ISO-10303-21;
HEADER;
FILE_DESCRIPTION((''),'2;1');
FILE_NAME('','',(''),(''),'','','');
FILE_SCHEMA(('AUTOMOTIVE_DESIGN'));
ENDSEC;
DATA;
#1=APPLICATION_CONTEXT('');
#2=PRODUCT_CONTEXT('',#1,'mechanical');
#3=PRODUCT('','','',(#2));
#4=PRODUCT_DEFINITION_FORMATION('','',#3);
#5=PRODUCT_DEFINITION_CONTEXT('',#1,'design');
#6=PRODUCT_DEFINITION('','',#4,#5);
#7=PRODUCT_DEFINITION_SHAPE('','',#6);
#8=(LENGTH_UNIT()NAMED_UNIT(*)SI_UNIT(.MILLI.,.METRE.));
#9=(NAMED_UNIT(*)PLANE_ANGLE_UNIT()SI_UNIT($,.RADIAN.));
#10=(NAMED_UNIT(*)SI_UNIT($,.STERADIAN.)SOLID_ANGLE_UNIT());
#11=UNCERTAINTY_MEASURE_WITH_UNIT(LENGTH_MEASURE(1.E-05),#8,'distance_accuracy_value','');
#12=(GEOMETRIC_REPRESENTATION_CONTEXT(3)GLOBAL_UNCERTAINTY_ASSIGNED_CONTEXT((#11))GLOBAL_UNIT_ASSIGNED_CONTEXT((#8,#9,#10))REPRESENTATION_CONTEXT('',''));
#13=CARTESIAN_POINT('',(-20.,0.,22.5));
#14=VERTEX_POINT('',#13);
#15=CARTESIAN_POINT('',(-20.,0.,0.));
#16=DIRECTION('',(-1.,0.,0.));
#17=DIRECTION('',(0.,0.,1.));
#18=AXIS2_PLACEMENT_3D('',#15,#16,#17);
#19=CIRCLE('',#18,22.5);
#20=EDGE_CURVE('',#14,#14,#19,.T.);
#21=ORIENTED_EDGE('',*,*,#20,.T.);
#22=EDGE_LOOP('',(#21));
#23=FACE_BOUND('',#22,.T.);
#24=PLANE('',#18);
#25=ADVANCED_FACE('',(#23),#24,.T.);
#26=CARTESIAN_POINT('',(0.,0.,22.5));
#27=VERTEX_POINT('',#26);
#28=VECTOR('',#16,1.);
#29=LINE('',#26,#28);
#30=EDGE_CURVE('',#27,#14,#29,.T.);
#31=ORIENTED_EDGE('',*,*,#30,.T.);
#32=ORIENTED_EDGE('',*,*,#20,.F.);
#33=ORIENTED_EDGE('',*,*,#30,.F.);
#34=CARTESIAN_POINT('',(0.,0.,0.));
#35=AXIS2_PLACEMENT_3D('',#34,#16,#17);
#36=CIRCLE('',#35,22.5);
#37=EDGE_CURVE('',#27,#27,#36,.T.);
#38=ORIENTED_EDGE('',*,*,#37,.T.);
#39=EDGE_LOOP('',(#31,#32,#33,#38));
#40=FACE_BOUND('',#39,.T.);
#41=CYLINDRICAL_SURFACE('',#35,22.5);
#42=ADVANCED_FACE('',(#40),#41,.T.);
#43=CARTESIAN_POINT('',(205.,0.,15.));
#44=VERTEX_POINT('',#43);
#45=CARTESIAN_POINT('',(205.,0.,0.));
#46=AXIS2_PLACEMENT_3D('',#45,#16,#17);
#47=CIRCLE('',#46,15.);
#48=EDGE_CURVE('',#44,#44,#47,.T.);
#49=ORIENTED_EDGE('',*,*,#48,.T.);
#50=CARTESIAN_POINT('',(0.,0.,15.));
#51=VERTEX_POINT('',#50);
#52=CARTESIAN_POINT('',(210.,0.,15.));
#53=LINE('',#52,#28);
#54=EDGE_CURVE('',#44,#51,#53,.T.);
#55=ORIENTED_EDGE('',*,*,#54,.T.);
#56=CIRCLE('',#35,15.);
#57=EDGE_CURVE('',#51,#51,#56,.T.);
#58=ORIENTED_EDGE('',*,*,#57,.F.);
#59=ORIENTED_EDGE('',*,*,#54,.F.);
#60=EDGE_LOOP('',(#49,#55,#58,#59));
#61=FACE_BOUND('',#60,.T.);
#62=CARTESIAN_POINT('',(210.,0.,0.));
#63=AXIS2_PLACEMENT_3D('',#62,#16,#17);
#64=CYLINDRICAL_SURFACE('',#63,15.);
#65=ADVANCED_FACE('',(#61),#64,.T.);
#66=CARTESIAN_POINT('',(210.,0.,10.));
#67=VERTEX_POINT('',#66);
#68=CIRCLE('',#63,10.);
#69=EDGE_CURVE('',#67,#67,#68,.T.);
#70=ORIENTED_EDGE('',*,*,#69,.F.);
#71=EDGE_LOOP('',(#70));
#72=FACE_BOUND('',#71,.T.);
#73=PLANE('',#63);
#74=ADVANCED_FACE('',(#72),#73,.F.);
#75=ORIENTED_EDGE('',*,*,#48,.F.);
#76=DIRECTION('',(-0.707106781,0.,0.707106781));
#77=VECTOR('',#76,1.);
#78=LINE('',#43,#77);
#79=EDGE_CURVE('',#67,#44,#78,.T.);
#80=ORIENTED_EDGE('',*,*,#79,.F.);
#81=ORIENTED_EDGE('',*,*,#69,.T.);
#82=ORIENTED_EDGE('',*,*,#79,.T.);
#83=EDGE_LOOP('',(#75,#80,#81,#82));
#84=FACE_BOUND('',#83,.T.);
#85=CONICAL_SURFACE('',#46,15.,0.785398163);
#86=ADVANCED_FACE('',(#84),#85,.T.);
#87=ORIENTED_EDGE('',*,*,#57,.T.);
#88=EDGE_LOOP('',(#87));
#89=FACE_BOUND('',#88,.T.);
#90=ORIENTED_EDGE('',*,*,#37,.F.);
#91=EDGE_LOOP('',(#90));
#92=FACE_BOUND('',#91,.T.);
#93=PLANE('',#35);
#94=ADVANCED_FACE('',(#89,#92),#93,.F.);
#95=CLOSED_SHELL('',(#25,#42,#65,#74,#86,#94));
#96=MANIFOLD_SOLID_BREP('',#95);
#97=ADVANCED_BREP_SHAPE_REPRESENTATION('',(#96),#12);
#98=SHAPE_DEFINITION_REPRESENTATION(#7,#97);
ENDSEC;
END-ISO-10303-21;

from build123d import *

# Parameters (mm, degrees)
F2_SIZE = 5


with BuildPart() as f1:
    # F0 (on Front) → F1 (revolve)
    with BuildSketch(Plane.XZ):
        Polygon((-20, 22.5), (-20, 0), (210, 0), (210, 15), (0, 15), (0, 22.5), align=None)
    revolve(axis=Axis((95, 0, 0), (-1, 0, 0)))

    # F2
    f2_edges = [f1.edges().sort_by_distance(p)[0] for p in [
        (210, 0, -15),
    ]]
    chamfer(f2_edges, length=F2_SIZE)


solid = f1.part
